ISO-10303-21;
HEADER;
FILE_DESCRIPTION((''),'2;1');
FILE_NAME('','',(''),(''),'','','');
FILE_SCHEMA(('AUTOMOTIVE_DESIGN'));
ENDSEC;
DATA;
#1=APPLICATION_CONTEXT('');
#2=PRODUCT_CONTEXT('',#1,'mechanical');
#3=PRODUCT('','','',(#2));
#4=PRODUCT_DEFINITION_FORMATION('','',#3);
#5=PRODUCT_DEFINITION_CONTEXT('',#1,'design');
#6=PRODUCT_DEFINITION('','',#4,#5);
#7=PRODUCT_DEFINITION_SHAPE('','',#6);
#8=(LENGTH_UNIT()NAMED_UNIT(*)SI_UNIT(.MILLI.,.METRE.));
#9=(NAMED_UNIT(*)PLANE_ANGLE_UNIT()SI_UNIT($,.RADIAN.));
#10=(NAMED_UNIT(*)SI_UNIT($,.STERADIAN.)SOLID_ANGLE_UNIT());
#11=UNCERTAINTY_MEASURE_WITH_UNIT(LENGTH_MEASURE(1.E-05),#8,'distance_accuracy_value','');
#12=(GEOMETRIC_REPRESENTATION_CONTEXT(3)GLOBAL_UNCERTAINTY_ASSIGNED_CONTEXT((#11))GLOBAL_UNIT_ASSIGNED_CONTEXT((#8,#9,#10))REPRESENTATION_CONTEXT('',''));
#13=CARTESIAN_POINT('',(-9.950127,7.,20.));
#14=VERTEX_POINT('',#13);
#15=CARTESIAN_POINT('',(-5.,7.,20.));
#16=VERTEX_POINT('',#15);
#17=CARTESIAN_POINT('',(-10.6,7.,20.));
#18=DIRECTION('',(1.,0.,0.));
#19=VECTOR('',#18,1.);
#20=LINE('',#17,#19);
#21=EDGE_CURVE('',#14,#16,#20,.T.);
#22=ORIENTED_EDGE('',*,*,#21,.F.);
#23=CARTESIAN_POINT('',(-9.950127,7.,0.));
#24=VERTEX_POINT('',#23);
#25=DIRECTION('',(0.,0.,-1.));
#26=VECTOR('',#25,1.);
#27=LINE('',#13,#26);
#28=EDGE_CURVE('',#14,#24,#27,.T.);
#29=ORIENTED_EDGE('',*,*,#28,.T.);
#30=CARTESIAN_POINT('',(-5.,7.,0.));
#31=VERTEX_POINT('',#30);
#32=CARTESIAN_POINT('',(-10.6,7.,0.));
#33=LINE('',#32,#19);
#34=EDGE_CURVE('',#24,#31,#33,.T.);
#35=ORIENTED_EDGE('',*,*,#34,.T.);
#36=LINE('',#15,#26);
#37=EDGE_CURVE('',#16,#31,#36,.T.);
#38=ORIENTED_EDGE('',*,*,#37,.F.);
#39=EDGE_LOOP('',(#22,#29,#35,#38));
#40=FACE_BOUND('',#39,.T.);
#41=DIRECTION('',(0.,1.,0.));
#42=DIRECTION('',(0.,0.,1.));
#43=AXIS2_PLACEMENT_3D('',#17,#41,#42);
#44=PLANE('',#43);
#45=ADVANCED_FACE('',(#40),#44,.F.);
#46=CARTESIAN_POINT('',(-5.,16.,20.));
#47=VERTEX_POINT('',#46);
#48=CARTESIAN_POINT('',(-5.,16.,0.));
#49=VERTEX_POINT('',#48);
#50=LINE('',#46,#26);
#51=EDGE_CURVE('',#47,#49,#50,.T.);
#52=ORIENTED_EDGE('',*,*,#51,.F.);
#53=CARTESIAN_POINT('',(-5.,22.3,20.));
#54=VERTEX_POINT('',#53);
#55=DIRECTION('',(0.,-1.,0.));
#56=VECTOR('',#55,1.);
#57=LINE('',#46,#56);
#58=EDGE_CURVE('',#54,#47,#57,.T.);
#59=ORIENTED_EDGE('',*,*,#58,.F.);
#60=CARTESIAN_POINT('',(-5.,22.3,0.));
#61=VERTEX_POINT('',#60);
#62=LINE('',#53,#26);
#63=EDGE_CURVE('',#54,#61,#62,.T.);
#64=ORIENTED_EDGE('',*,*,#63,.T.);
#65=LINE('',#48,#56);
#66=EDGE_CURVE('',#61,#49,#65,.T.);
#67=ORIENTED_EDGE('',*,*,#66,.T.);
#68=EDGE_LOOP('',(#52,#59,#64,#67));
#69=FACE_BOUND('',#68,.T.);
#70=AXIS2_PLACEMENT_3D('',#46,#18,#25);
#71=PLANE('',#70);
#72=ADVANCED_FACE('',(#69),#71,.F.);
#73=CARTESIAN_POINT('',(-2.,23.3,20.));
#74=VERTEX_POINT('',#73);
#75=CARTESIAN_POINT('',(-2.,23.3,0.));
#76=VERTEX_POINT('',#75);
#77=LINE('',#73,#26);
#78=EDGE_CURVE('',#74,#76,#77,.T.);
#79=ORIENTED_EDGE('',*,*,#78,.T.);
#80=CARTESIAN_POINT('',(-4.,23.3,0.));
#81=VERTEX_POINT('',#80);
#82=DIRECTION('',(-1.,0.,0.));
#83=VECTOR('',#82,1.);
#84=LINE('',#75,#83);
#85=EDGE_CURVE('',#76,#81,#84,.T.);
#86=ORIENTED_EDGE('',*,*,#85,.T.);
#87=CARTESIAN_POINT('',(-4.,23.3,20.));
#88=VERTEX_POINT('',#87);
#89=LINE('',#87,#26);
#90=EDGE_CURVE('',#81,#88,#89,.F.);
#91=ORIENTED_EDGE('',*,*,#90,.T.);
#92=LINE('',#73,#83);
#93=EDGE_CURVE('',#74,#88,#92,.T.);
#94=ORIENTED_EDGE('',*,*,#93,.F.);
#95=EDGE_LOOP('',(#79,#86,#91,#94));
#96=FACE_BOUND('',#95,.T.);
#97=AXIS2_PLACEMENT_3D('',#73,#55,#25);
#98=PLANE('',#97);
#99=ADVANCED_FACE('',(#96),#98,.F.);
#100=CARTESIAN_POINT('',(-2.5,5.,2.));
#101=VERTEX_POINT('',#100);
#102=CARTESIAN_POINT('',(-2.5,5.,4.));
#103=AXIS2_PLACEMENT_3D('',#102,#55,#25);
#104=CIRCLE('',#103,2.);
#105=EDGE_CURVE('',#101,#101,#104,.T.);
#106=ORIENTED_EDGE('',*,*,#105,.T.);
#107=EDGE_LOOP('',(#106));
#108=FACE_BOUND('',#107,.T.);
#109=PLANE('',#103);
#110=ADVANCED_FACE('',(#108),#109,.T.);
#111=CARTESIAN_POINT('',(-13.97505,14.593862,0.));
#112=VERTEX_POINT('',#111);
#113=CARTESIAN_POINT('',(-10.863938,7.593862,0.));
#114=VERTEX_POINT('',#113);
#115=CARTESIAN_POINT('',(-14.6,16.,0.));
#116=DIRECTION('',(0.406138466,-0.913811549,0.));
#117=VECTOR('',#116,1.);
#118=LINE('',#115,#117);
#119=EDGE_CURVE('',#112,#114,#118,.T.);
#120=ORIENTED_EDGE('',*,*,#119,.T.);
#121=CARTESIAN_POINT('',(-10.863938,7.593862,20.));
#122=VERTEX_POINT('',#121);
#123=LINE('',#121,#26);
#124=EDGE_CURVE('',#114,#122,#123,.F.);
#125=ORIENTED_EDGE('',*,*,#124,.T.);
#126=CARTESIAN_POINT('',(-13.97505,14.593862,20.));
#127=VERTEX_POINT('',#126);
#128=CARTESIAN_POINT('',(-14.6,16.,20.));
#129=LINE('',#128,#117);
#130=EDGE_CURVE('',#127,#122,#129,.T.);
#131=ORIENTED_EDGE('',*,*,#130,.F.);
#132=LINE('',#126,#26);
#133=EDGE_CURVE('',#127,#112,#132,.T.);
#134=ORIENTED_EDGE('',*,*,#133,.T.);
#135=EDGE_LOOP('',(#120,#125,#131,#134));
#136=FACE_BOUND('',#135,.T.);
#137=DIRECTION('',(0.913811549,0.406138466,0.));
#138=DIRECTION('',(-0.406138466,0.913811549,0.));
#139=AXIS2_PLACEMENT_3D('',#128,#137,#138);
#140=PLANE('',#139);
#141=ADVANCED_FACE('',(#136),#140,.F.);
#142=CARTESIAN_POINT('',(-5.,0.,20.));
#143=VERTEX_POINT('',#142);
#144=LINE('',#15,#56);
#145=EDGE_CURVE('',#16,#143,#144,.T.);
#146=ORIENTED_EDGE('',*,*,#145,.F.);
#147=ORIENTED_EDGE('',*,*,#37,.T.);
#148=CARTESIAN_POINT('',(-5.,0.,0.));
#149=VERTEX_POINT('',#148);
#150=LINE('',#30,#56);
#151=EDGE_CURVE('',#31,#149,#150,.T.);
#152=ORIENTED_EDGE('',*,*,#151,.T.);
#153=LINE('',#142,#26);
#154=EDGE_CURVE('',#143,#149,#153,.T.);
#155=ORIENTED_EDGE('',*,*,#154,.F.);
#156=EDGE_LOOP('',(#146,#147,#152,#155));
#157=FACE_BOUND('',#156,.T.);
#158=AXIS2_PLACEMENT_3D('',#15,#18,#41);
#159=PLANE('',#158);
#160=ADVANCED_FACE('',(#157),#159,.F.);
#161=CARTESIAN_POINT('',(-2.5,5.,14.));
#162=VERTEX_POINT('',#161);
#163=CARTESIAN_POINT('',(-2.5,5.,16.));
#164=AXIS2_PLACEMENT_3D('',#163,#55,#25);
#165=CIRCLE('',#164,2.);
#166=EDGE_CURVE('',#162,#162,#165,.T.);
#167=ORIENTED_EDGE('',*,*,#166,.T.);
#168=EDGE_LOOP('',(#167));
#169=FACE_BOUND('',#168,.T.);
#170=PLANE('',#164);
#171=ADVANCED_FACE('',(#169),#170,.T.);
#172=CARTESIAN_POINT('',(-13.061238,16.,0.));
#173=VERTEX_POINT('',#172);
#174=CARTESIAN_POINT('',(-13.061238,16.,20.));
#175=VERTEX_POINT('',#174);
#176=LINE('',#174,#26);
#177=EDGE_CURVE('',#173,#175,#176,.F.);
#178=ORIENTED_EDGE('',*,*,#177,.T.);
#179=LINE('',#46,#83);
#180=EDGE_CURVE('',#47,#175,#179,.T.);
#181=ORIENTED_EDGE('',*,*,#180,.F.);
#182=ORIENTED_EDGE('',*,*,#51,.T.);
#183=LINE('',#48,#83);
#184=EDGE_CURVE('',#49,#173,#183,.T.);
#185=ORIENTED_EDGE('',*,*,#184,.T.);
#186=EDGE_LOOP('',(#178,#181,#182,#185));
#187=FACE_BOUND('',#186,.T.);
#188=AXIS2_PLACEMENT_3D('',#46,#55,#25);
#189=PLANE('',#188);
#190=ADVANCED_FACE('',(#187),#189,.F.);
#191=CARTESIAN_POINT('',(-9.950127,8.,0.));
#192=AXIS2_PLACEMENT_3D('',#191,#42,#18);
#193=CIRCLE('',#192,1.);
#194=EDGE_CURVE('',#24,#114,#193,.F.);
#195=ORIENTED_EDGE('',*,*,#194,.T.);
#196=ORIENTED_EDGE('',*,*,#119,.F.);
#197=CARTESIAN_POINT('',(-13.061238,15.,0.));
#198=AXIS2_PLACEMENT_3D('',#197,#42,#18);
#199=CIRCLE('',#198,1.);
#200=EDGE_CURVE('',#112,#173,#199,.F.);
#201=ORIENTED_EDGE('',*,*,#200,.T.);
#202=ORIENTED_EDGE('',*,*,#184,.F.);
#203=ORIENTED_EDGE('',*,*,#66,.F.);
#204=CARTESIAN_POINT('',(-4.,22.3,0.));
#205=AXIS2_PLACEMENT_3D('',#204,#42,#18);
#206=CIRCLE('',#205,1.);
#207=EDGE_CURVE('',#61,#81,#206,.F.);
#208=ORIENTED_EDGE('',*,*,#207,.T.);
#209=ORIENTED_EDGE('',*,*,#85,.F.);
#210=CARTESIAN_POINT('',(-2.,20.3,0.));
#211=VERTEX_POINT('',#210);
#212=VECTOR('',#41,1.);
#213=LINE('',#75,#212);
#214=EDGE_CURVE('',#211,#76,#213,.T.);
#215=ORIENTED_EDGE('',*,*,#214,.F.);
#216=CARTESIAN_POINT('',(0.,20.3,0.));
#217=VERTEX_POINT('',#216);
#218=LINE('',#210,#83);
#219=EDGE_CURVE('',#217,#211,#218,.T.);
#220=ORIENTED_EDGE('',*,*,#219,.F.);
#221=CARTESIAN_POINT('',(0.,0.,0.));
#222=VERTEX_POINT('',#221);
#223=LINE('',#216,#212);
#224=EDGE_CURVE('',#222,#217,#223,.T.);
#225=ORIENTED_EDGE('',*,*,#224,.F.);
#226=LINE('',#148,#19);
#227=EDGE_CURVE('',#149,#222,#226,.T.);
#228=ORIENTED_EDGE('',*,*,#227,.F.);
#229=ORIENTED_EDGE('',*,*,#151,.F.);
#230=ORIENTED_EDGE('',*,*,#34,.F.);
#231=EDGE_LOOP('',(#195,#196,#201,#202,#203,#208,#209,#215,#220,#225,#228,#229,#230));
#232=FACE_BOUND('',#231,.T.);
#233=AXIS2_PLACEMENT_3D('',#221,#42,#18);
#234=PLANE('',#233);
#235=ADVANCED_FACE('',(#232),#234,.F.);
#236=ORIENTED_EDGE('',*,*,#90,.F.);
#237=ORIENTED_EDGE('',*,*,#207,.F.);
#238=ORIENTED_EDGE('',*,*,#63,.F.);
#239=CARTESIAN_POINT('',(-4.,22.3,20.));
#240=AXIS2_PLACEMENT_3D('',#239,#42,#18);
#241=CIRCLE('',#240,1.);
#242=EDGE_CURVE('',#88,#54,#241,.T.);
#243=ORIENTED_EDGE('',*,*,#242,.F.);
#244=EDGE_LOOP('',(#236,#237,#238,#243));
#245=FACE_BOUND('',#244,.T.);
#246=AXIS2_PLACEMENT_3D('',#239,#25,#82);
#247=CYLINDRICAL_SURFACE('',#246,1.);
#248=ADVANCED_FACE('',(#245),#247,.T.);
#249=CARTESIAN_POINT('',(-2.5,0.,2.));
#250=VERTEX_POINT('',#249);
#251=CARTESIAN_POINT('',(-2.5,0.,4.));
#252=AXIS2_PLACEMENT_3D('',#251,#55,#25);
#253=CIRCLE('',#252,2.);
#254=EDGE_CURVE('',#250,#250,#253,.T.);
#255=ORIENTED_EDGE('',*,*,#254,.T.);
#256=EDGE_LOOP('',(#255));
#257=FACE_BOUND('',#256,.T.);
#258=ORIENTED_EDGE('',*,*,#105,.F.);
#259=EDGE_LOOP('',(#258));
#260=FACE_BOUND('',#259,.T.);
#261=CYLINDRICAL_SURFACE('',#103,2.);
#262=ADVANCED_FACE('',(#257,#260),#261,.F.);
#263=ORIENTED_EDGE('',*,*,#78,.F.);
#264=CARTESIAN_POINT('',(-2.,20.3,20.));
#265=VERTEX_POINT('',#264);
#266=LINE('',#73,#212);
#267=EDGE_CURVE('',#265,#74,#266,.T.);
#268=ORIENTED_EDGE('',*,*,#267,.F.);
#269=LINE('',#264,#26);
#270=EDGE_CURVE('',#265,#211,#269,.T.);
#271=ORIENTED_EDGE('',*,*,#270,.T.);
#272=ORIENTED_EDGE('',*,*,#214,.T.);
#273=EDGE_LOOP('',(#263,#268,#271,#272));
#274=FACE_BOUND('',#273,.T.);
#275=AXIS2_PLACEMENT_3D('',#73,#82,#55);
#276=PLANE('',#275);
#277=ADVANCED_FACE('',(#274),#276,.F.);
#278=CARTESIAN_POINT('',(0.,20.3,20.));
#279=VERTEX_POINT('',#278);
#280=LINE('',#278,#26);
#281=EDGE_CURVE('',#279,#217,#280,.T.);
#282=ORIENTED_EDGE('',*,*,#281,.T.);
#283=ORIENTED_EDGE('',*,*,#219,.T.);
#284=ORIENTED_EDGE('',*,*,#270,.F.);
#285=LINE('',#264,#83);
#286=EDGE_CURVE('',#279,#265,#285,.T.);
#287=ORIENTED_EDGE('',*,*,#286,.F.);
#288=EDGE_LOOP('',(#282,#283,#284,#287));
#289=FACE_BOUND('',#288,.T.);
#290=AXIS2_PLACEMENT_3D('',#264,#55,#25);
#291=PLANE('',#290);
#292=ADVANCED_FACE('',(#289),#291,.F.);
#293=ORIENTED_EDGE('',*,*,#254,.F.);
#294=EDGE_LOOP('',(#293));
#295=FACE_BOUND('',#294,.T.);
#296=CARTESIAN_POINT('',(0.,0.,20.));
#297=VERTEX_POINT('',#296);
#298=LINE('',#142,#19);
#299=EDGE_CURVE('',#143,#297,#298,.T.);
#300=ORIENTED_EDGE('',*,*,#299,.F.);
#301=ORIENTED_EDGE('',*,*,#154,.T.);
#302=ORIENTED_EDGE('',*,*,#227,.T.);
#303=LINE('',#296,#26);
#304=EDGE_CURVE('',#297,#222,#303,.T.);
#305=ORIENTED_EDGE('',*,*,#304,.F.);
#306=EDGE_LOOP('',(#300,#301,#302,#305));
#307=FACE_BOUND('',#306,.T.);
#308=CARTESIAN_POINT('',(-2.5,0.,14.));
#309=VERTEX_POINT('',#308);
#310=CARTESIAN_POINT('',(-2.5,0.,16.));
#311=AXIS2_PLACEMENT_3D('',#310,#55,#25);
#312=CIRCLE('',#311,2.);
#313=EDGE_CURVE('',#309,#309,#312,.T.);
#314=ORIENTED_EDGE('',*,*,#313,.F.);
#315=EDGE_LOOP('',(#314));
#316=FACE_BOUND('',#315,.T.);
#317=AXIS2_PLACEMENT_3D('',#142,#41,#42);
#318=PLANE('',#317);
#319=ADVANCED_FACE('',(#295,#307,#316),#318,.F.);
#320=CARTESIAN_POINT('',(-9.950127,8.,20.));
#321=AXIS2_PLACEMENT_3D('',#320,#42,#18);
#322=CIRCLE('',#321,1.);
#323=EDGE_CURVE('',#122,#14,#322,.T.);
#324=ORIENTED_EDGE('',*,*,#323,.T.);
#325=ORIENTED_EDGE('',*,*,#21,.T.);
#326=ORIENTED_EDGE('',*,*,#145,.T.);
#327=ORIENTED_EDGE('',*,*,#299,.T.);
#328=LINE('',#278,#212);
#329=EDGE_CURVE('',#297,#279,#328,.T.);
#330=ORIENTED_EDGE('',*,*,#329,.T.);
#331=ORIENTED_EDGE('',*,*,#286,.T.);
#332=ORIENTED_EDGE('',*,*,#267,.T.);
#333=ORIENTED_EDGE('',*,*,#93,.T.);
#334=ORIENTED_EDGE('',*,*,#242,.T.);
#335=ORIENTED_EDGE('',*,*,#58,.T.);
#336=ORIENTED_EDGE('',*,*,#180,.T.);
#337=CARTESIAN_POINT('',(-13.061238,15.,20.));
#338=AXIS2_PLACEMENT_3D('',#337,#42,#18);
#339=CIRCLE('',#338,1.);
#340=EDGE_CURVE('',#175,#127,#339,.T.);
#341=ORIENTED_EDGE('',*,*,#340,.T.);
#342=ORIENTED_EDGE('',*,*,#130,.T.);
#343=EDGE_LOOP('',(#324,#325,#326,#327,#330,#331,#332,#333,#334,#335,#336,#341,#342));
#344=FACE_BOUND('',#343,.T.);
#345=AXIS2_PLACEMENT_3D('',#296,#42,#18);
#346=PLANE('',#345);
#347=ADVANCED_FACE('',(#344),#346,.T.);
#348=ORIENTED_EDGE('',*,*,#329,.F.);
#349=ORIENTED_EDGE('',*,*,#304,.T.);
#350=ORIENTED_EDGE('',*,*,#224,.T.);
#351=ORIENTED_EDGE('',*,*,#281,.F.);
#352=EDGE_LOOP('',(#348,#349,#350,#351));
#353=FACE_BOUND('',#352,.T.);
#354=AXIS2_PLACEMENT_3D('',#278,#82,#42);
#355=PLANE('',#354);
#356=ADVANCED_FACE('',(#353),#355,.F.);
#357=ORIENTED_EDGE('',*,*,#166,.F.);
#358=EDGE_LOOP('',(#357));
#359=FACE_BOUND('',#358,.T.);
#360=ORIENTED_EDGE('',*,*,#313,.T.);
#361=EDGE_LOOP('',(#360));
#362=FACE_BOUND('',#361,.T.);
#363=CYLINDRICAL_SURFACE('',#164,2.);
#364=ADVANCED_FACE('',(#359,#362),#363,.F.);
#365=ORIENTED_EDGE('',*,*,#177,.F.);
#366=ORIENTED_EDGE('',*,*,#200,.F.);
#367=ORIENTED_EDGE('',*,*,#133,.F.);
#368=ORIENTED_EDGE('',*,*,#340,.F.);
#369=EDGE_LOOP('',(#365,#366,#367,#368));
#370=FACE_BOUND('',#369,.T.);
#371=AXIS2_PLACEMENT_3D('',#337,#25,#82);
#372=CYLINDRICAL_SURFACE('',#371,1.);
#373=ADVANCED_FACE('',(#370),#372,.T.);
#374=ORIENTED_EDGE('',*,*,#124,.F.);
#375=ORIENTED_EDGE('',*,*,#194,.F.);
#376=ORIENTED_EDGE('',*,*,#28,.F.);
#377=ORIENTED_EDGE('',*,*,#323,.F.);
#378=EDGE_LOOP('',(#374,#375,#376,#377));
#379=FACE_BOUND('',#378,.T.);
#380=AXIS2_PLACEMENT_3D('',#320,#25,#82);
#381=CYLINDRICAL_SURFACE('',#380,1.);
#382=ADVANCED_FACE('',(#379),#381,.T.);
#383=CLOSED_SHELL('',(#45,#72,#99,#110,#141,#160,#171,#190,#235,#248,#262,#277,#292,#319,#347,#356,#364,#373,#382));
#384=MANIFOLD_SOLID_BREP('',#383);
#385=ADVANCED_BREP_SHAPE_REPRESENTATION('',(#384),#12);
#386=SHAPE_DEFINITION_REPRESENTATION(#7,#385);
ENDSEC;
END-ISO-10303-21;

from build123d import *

# Parameters (mm, degrees)
BOSS_EXTRU_1_DEPTH      = 20
CONG_1_R                = 1
ESQUISSE3_R             = 2
ENL_V_MAT_EXTRU_1_DEPTH = 5


with BuildPart() as part:
    # Esquisse1 → Boss.-Extru.1 (new body)
    with BuildSketch(Plane.XY):
        Polygon((-2, 23.3), (-5, 23.3), (-5, 16), (-14.6, 16), (-10.6, 7), (-5, 7), (-5, 0), (0, 0), (0, 20.3), (-2, 20.3), align=None)
    extrude(amount=BOSS_EXTRU_1_DEPTH)

    # Congé1
    cong_1_edges = [part.edges().sort_by_distance(p)[0] for p in [
        (-10.6, 7, 10),
        (-14.6, 16, 10),
        (-5, 23.3, 10),
    ]]
    fillet(cong_1_edges, radius=CONG_1_R)

    # Esquisse3 → Enlèv. mat.-Extru.1 (cut)
    with BuildSketch(Plane.XZ):
        with Locations(Location((-2.5, 4, 0), (0, 0, 270))):
            Circle(ESQUISSE3_R)
        with Locations(Location((-2.5, 16, 0), (0, 0, 270))):
            Circle(ESQUISSE3_R)
    extrude(amount=-ENL_V_MAT_EXTRU_1_DEPTH, mode=Mode.SUBTRACT)


solid = part.part
